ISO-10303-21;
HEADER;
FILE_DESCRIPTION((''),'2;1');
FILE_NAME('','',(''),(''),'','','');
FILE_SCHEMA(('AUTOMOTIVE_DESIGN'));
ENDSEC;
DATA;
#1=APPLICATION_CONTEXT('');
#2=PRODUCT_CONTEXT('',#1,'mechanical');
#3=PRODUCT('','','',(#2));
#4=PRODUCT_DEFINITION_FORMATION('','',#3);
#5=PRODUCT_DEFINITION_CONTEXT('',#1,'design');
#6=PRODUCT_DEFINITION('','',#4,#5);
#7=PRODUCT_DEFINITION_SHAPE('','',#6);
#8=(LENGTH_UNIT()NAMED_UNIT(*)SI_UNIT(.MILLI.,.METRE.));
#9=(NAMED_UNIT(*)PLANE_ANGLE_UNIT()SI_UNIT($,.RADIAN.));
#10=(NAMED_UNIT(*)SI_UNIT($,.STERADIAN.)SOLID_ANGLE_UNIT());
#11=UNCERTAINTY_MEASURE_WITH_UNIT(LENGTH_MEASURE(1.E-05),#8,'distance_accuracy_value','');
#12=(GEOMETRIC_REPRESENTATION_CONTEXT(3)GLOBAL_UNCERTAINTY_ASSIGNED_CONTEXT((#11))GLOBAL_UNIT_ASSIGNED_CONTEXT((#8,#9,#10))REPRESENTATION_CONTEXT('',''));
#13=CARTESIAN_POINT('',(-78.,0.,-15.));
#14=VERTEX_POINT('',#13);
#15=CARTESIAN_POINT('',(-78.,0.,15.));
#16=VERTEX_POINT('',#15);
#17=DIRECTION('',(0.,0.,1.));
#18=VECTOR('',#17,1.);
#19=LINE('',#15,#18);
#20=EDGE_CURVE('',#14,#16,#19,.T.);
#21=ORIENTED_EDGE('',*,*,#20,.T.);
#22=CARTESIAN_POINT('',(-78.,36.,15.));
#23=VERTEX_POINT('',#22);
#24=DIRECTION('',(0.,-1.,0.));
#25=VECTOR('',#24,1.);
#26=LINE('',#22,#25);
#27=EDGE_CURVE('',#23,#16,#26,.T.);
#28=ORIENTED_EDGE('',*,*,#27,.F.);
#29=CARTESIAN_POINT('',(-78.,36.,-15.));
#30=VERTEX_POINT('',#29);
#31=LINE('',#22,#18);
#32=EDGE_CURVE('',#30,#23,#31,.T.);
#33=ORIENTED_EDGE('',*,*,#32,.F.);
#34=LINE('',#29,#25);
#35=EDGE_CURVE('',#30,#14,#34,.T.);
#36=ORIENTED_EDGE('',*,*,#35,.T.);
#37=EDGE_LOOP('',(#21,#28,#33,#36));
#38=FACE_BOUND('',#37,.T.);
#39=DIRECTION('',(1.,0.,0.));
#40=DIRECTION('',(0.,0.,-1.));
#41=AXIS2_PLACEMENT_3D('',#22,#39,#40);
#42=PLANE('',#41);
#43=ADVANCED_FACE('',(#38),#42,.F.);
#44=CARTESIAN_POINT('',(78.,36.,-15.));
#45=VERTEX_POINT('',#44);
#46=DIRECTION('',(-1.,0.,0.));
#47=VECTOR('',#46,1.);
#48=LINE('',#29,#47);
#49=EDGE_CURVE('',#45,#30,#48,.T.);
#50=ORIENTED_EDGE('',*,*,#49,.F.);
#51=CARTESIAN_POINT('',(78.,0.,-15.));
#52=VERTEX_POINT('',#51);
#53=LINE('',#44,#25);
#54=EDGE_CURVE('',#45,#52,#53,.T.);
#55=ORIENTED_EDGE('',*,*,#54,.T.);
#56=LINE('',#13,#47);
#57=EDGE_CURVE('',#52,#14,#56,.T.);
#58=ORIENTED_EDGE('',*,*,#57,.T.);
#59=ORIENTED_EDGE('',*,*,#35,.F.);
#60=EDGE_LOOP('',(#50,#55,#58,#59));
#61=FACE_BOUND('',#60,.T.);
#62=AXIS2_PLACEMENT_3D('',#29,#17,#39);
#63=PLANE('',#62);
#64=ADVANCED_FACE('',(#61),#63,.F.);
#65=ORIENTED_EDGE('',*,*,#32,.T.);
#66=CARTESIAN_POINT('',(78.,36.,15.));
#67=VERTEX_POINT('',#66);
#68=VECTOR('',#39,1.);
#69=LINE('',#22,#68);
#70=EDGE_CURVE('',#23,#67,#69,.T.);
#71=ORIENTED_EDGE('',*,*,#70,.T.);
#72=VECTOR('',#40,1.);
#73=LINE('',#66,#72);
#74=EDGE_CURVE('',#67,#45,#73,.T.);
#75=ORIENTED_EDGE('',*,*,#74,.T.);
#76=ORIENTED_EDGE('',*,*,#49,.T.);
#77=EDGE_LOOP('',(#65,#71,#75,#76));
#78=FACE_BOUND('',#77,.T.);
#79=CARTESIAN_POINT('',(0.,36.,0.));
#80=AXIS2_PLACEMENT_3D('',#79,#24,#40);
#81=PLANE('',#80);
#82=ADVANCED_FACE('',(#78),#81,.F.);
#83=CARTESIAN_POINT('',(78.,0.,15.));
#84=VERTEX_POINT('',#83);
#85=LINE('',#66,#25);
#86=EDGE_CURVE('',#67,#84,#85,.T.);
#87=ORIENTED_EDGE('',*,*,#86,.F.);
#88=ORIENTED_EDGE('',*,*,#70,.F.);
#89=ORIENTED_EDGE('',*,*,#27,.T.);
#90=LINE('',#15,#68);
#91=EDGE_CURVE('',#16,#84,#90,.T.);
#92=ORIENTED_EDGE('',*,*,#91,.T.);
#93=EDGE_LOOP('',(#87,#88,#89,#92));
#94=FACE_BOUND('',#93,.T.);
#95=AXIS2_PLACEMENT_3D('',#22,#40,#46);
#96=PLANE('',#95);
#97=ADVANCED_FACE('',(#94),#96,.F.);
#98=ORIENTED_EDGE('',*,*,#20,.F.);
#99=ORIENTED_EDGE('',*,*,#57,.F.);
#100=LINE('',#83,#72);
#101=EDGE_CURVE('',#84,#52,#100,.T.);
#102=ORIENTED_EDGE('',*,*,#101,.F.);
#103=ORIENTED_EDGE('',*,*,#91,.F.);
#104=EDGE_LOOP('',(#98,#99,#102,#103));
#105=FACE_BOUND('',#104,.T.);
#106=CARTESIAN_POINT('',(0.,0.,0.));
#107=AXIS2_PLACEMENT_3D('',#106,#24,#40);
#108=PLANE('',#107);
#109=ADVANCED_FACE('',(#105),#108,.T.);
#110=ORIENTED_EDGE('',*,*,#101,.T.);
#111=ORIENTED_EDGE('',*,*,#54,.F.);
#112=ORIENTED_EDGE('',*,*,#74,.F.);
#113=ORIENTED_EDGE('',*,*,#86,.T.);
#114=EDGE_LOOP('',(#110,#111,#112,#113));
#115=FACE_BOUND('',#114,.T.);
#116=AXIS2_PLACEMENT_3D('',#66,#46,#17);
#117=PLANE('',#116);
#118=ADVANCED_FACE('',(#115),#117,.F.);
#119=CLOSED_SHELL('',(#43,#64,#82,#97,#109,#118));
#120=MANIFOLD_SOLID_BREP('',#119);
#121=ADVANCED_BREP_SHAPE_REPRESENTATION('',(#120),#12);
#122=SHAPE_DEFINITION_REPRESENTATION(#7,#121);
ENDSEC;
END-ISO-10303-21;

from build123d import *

# Parameters (mm, degrees)
SKETCH_1_W      = 156
SKETCH_1_H      = 30
EXTRUDE_1_DEPTH = 36


with BuildPart() as part:
    # 草图1 → 凸台-拉伸1 (new body)
    with BuildSketch(Plane(origin=(0, 0, 0), x_dir=(1, 0, 0), z_dir=(0, 1, 0))):
        Rectangle(SKETCH_1_W, SKETCH_1_H)
    extrude(amount=EXTRUDE_1_DEPTH)


solid = part.part
